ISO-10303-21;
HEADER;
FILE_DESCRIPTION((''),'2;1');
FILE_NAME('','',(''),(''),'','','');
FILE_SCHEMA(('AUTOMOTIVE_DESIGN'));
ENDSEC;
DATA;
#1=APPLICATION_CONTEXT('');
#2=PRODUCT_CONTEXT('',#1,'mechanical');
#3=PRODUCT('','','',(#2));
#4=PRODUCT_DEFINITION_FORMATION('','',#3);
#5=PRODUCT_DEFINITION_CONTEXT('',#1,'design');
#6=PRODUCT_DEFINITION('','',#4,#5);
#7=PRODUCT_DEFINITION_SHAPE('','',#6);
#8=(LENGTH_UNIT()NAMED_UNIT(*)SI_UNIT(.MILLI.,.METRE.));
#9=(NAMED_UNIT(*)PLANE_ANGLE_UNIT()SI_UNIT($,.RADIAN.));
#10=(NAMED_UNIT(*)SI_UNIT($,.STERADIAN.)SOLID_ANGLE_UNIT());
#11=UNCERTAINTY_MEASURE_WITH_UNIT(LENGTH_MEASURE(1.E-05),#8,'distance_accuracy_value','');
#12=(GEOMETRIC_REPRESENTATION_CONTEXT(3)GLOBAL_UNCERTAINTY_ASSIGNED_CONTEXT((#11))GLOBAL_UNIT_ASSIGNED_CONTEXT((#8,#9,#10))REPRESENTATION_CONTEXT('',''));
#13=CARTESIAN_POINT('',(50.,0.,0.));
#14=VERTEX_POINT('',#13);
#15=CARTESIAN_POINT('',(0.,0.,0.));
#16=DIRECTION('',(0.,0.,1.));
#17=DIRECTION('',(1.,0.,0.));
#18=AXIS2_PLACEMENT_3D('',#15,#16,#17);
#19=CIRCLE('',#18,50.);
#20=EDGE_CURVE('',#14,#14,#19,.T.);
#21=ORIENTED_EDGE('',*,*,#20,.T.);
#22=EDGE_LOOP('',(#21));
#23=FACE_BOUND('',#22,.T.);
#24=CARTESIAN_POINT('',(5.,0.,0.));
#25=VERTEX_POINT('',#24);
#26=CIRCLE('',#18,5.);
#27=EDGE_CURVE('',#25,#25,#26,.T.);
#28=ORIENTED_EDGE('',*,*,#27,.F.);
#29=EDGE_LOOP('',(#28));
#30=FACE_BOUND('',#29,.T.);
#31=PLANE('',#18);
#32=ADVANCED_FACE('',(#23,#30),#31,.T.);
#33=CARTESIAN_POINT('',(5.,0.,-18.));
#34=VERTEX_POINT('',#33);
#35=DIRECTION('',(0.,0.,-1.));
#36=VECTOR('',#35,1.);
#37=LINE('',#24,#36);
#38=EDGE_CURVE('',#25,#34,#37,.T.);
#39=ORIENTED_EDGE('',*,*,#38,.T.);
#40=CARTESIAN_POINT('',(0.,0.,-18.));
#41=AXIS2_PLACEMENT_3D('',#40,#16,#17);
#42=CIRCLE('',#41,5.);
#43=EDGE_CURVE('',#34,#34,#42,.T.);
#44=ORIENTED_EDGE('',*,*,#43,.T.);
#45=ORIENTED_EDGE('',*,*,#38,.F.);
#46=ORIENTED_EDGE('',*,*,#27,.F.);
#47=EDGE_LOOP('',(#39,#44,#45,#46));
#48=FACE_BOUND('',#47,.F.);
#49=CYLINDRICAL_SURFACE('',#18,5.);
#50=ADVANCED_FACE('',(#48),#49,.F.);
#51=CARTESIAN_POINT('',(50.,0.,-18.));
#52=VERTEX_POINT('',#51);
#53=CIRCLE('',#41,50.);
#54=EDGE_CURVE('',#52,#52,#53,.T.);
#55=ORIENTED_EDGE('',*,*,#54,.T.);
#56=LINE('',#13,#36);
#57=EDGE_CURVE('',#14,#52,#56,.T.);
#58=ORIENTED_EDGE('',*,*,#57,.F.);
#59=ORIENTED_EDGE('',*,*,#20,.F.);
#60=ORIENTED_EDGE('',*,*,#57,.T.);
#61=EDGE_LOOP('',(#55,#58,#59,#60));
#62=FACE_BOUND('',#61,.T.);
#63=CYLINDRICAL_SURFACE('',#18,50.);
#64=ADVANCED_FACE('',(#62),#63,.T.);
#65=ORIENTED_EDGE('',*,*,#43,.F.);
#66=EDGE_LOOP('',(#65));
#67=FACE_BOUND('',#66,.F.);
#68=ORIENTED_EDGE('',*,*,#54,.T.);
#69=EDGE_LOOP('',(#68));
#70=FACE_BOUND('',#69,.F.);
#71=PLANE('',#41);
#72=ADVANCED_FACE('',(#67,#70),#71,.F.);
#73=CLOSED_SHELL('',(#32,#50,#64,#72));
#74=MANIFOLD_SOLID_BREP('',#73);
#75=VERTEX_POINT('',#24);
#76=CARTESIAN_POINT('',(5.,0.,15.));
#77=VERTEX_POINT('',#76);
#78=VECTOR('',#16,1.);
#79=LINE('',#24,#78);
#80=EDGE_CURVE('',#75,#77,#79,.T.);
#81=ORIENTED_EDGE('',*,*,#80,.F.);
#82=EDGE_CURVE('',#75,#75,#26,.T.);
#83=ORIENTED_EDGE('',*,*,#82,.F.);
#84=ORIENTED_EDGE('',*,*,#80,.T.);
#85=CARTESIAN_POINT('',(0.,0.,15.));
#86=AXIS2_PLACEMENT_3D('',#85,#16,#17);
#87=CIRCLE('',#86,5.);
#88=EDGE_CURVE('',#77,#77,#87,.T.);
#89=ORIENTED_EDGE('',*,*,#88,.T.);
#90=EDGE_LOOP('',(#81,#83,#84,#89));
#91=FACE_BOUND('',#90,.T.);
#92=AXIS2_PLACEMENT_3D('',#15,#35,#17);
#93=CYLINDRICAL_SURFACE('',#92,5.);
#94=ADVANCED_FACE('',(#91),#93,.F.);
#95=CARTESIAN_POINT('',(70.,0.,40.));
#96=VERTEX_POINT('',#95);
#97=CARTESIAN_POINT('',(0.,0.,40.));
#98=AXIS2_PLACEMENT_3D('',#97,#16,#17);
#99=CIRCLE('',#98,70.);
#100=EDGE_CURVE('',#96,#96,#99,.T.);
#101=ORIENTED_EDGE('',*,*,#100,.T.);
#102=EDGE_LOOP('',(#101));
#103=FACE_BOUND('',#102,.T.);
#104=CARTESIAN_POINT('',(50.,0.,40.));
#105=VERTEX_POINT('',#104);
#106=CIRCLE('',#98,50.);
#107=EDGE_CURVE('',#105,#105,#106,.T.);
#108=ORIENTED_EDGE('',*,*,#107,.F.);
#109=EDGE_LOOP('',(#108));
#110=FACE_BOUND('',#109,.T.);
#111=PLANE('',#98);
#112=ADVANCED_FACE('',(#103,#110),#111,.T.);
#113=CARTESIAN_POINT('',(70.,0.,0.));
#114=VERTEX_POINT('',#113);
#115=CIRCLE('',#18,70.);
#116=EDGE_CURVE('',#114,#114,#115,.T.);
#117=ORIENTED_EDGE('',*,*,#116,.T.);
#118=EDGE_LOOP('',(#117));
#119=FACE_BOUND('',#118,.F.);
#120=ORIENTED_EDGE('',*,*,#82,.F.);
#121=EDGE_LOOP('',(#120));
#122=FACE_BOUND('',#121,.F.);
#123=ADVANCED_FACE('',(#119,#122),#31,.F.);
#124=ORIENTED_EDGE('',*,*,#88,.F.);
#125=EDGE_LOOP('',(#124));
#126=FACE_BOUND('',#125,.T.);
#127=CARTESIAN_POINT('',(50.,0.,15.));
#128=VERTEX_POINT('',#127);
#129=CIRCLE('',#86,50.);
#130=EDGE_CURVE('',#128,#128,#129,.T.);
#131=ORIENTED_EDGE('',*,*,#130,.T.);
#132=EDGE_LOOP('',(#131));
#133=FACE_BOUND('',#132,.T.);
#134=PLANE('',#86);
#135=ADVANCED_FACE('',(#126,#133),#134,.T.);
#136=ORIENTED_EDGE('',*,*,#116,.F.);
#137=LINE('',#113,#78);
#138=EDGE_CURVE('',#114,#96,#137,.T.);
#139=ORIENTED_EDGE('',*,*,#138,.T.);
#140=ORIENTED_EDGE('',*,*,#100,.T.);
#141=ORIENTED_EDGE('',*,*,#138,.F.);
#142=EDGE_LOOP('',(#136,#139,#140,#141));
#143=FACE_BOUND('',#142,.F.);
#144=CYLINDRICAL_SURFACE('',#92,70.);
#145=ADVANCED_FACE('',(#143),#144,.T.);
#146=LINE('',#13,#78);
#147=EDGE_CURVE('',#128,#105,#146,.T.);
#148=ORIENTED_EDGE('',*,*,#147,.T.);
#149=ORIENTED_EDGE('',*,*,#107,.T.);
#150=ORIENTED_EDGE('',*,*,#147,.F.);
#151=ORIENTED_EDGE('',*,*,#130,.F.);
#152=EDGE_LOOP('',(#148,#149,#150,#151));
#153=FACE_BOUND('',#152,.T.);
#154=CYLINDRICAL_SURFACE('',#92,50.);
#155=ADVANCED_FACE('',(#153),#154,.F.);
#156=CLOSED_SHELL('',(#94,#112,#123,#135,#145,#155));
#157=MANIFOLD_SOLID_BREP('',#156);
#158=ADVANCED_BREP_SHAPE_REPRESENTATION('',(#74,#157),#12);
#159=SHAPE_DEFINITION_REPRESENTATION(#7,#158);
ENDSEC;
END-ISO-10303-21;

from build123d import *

# Parameters (mm, degrees)
F0_R     = 70
F0_R_2   = 50
F1_DEPTH = 40
F0_R_3   = 5
F2_DEPTH = 15
F3_DEPTH = 18


with BuildPart() as f1:
    # F0 (on Top) → F1 (new body)
    with BuildSketch(Plane.XY):
        Circle(F0_R)
        Circle(F0_R_2, mode=Mode.SUBTRACT)
    extrude(amount=F1_DEPTH)

    # F0 (on Top) → F2 (join)
    with BuildSketch(Plane.XY):
        Circle(F0_R_2)
        Circle(F0_R_3, mode=Mode.SUBTRACT)
    extrude(amount=F2_DEPTH)


with BuildPart() as f3:
    # F0 (on Top) → F3 (new body)
    with BuildSketch(Plane.XY):
        Circle(F0_R_2)
        Circle(F0_R_3, mode=Mode.SUBTRACT)
    extrude(amount=-F3_DEPTH)


solid = Compound([f1.part, f3.part])
